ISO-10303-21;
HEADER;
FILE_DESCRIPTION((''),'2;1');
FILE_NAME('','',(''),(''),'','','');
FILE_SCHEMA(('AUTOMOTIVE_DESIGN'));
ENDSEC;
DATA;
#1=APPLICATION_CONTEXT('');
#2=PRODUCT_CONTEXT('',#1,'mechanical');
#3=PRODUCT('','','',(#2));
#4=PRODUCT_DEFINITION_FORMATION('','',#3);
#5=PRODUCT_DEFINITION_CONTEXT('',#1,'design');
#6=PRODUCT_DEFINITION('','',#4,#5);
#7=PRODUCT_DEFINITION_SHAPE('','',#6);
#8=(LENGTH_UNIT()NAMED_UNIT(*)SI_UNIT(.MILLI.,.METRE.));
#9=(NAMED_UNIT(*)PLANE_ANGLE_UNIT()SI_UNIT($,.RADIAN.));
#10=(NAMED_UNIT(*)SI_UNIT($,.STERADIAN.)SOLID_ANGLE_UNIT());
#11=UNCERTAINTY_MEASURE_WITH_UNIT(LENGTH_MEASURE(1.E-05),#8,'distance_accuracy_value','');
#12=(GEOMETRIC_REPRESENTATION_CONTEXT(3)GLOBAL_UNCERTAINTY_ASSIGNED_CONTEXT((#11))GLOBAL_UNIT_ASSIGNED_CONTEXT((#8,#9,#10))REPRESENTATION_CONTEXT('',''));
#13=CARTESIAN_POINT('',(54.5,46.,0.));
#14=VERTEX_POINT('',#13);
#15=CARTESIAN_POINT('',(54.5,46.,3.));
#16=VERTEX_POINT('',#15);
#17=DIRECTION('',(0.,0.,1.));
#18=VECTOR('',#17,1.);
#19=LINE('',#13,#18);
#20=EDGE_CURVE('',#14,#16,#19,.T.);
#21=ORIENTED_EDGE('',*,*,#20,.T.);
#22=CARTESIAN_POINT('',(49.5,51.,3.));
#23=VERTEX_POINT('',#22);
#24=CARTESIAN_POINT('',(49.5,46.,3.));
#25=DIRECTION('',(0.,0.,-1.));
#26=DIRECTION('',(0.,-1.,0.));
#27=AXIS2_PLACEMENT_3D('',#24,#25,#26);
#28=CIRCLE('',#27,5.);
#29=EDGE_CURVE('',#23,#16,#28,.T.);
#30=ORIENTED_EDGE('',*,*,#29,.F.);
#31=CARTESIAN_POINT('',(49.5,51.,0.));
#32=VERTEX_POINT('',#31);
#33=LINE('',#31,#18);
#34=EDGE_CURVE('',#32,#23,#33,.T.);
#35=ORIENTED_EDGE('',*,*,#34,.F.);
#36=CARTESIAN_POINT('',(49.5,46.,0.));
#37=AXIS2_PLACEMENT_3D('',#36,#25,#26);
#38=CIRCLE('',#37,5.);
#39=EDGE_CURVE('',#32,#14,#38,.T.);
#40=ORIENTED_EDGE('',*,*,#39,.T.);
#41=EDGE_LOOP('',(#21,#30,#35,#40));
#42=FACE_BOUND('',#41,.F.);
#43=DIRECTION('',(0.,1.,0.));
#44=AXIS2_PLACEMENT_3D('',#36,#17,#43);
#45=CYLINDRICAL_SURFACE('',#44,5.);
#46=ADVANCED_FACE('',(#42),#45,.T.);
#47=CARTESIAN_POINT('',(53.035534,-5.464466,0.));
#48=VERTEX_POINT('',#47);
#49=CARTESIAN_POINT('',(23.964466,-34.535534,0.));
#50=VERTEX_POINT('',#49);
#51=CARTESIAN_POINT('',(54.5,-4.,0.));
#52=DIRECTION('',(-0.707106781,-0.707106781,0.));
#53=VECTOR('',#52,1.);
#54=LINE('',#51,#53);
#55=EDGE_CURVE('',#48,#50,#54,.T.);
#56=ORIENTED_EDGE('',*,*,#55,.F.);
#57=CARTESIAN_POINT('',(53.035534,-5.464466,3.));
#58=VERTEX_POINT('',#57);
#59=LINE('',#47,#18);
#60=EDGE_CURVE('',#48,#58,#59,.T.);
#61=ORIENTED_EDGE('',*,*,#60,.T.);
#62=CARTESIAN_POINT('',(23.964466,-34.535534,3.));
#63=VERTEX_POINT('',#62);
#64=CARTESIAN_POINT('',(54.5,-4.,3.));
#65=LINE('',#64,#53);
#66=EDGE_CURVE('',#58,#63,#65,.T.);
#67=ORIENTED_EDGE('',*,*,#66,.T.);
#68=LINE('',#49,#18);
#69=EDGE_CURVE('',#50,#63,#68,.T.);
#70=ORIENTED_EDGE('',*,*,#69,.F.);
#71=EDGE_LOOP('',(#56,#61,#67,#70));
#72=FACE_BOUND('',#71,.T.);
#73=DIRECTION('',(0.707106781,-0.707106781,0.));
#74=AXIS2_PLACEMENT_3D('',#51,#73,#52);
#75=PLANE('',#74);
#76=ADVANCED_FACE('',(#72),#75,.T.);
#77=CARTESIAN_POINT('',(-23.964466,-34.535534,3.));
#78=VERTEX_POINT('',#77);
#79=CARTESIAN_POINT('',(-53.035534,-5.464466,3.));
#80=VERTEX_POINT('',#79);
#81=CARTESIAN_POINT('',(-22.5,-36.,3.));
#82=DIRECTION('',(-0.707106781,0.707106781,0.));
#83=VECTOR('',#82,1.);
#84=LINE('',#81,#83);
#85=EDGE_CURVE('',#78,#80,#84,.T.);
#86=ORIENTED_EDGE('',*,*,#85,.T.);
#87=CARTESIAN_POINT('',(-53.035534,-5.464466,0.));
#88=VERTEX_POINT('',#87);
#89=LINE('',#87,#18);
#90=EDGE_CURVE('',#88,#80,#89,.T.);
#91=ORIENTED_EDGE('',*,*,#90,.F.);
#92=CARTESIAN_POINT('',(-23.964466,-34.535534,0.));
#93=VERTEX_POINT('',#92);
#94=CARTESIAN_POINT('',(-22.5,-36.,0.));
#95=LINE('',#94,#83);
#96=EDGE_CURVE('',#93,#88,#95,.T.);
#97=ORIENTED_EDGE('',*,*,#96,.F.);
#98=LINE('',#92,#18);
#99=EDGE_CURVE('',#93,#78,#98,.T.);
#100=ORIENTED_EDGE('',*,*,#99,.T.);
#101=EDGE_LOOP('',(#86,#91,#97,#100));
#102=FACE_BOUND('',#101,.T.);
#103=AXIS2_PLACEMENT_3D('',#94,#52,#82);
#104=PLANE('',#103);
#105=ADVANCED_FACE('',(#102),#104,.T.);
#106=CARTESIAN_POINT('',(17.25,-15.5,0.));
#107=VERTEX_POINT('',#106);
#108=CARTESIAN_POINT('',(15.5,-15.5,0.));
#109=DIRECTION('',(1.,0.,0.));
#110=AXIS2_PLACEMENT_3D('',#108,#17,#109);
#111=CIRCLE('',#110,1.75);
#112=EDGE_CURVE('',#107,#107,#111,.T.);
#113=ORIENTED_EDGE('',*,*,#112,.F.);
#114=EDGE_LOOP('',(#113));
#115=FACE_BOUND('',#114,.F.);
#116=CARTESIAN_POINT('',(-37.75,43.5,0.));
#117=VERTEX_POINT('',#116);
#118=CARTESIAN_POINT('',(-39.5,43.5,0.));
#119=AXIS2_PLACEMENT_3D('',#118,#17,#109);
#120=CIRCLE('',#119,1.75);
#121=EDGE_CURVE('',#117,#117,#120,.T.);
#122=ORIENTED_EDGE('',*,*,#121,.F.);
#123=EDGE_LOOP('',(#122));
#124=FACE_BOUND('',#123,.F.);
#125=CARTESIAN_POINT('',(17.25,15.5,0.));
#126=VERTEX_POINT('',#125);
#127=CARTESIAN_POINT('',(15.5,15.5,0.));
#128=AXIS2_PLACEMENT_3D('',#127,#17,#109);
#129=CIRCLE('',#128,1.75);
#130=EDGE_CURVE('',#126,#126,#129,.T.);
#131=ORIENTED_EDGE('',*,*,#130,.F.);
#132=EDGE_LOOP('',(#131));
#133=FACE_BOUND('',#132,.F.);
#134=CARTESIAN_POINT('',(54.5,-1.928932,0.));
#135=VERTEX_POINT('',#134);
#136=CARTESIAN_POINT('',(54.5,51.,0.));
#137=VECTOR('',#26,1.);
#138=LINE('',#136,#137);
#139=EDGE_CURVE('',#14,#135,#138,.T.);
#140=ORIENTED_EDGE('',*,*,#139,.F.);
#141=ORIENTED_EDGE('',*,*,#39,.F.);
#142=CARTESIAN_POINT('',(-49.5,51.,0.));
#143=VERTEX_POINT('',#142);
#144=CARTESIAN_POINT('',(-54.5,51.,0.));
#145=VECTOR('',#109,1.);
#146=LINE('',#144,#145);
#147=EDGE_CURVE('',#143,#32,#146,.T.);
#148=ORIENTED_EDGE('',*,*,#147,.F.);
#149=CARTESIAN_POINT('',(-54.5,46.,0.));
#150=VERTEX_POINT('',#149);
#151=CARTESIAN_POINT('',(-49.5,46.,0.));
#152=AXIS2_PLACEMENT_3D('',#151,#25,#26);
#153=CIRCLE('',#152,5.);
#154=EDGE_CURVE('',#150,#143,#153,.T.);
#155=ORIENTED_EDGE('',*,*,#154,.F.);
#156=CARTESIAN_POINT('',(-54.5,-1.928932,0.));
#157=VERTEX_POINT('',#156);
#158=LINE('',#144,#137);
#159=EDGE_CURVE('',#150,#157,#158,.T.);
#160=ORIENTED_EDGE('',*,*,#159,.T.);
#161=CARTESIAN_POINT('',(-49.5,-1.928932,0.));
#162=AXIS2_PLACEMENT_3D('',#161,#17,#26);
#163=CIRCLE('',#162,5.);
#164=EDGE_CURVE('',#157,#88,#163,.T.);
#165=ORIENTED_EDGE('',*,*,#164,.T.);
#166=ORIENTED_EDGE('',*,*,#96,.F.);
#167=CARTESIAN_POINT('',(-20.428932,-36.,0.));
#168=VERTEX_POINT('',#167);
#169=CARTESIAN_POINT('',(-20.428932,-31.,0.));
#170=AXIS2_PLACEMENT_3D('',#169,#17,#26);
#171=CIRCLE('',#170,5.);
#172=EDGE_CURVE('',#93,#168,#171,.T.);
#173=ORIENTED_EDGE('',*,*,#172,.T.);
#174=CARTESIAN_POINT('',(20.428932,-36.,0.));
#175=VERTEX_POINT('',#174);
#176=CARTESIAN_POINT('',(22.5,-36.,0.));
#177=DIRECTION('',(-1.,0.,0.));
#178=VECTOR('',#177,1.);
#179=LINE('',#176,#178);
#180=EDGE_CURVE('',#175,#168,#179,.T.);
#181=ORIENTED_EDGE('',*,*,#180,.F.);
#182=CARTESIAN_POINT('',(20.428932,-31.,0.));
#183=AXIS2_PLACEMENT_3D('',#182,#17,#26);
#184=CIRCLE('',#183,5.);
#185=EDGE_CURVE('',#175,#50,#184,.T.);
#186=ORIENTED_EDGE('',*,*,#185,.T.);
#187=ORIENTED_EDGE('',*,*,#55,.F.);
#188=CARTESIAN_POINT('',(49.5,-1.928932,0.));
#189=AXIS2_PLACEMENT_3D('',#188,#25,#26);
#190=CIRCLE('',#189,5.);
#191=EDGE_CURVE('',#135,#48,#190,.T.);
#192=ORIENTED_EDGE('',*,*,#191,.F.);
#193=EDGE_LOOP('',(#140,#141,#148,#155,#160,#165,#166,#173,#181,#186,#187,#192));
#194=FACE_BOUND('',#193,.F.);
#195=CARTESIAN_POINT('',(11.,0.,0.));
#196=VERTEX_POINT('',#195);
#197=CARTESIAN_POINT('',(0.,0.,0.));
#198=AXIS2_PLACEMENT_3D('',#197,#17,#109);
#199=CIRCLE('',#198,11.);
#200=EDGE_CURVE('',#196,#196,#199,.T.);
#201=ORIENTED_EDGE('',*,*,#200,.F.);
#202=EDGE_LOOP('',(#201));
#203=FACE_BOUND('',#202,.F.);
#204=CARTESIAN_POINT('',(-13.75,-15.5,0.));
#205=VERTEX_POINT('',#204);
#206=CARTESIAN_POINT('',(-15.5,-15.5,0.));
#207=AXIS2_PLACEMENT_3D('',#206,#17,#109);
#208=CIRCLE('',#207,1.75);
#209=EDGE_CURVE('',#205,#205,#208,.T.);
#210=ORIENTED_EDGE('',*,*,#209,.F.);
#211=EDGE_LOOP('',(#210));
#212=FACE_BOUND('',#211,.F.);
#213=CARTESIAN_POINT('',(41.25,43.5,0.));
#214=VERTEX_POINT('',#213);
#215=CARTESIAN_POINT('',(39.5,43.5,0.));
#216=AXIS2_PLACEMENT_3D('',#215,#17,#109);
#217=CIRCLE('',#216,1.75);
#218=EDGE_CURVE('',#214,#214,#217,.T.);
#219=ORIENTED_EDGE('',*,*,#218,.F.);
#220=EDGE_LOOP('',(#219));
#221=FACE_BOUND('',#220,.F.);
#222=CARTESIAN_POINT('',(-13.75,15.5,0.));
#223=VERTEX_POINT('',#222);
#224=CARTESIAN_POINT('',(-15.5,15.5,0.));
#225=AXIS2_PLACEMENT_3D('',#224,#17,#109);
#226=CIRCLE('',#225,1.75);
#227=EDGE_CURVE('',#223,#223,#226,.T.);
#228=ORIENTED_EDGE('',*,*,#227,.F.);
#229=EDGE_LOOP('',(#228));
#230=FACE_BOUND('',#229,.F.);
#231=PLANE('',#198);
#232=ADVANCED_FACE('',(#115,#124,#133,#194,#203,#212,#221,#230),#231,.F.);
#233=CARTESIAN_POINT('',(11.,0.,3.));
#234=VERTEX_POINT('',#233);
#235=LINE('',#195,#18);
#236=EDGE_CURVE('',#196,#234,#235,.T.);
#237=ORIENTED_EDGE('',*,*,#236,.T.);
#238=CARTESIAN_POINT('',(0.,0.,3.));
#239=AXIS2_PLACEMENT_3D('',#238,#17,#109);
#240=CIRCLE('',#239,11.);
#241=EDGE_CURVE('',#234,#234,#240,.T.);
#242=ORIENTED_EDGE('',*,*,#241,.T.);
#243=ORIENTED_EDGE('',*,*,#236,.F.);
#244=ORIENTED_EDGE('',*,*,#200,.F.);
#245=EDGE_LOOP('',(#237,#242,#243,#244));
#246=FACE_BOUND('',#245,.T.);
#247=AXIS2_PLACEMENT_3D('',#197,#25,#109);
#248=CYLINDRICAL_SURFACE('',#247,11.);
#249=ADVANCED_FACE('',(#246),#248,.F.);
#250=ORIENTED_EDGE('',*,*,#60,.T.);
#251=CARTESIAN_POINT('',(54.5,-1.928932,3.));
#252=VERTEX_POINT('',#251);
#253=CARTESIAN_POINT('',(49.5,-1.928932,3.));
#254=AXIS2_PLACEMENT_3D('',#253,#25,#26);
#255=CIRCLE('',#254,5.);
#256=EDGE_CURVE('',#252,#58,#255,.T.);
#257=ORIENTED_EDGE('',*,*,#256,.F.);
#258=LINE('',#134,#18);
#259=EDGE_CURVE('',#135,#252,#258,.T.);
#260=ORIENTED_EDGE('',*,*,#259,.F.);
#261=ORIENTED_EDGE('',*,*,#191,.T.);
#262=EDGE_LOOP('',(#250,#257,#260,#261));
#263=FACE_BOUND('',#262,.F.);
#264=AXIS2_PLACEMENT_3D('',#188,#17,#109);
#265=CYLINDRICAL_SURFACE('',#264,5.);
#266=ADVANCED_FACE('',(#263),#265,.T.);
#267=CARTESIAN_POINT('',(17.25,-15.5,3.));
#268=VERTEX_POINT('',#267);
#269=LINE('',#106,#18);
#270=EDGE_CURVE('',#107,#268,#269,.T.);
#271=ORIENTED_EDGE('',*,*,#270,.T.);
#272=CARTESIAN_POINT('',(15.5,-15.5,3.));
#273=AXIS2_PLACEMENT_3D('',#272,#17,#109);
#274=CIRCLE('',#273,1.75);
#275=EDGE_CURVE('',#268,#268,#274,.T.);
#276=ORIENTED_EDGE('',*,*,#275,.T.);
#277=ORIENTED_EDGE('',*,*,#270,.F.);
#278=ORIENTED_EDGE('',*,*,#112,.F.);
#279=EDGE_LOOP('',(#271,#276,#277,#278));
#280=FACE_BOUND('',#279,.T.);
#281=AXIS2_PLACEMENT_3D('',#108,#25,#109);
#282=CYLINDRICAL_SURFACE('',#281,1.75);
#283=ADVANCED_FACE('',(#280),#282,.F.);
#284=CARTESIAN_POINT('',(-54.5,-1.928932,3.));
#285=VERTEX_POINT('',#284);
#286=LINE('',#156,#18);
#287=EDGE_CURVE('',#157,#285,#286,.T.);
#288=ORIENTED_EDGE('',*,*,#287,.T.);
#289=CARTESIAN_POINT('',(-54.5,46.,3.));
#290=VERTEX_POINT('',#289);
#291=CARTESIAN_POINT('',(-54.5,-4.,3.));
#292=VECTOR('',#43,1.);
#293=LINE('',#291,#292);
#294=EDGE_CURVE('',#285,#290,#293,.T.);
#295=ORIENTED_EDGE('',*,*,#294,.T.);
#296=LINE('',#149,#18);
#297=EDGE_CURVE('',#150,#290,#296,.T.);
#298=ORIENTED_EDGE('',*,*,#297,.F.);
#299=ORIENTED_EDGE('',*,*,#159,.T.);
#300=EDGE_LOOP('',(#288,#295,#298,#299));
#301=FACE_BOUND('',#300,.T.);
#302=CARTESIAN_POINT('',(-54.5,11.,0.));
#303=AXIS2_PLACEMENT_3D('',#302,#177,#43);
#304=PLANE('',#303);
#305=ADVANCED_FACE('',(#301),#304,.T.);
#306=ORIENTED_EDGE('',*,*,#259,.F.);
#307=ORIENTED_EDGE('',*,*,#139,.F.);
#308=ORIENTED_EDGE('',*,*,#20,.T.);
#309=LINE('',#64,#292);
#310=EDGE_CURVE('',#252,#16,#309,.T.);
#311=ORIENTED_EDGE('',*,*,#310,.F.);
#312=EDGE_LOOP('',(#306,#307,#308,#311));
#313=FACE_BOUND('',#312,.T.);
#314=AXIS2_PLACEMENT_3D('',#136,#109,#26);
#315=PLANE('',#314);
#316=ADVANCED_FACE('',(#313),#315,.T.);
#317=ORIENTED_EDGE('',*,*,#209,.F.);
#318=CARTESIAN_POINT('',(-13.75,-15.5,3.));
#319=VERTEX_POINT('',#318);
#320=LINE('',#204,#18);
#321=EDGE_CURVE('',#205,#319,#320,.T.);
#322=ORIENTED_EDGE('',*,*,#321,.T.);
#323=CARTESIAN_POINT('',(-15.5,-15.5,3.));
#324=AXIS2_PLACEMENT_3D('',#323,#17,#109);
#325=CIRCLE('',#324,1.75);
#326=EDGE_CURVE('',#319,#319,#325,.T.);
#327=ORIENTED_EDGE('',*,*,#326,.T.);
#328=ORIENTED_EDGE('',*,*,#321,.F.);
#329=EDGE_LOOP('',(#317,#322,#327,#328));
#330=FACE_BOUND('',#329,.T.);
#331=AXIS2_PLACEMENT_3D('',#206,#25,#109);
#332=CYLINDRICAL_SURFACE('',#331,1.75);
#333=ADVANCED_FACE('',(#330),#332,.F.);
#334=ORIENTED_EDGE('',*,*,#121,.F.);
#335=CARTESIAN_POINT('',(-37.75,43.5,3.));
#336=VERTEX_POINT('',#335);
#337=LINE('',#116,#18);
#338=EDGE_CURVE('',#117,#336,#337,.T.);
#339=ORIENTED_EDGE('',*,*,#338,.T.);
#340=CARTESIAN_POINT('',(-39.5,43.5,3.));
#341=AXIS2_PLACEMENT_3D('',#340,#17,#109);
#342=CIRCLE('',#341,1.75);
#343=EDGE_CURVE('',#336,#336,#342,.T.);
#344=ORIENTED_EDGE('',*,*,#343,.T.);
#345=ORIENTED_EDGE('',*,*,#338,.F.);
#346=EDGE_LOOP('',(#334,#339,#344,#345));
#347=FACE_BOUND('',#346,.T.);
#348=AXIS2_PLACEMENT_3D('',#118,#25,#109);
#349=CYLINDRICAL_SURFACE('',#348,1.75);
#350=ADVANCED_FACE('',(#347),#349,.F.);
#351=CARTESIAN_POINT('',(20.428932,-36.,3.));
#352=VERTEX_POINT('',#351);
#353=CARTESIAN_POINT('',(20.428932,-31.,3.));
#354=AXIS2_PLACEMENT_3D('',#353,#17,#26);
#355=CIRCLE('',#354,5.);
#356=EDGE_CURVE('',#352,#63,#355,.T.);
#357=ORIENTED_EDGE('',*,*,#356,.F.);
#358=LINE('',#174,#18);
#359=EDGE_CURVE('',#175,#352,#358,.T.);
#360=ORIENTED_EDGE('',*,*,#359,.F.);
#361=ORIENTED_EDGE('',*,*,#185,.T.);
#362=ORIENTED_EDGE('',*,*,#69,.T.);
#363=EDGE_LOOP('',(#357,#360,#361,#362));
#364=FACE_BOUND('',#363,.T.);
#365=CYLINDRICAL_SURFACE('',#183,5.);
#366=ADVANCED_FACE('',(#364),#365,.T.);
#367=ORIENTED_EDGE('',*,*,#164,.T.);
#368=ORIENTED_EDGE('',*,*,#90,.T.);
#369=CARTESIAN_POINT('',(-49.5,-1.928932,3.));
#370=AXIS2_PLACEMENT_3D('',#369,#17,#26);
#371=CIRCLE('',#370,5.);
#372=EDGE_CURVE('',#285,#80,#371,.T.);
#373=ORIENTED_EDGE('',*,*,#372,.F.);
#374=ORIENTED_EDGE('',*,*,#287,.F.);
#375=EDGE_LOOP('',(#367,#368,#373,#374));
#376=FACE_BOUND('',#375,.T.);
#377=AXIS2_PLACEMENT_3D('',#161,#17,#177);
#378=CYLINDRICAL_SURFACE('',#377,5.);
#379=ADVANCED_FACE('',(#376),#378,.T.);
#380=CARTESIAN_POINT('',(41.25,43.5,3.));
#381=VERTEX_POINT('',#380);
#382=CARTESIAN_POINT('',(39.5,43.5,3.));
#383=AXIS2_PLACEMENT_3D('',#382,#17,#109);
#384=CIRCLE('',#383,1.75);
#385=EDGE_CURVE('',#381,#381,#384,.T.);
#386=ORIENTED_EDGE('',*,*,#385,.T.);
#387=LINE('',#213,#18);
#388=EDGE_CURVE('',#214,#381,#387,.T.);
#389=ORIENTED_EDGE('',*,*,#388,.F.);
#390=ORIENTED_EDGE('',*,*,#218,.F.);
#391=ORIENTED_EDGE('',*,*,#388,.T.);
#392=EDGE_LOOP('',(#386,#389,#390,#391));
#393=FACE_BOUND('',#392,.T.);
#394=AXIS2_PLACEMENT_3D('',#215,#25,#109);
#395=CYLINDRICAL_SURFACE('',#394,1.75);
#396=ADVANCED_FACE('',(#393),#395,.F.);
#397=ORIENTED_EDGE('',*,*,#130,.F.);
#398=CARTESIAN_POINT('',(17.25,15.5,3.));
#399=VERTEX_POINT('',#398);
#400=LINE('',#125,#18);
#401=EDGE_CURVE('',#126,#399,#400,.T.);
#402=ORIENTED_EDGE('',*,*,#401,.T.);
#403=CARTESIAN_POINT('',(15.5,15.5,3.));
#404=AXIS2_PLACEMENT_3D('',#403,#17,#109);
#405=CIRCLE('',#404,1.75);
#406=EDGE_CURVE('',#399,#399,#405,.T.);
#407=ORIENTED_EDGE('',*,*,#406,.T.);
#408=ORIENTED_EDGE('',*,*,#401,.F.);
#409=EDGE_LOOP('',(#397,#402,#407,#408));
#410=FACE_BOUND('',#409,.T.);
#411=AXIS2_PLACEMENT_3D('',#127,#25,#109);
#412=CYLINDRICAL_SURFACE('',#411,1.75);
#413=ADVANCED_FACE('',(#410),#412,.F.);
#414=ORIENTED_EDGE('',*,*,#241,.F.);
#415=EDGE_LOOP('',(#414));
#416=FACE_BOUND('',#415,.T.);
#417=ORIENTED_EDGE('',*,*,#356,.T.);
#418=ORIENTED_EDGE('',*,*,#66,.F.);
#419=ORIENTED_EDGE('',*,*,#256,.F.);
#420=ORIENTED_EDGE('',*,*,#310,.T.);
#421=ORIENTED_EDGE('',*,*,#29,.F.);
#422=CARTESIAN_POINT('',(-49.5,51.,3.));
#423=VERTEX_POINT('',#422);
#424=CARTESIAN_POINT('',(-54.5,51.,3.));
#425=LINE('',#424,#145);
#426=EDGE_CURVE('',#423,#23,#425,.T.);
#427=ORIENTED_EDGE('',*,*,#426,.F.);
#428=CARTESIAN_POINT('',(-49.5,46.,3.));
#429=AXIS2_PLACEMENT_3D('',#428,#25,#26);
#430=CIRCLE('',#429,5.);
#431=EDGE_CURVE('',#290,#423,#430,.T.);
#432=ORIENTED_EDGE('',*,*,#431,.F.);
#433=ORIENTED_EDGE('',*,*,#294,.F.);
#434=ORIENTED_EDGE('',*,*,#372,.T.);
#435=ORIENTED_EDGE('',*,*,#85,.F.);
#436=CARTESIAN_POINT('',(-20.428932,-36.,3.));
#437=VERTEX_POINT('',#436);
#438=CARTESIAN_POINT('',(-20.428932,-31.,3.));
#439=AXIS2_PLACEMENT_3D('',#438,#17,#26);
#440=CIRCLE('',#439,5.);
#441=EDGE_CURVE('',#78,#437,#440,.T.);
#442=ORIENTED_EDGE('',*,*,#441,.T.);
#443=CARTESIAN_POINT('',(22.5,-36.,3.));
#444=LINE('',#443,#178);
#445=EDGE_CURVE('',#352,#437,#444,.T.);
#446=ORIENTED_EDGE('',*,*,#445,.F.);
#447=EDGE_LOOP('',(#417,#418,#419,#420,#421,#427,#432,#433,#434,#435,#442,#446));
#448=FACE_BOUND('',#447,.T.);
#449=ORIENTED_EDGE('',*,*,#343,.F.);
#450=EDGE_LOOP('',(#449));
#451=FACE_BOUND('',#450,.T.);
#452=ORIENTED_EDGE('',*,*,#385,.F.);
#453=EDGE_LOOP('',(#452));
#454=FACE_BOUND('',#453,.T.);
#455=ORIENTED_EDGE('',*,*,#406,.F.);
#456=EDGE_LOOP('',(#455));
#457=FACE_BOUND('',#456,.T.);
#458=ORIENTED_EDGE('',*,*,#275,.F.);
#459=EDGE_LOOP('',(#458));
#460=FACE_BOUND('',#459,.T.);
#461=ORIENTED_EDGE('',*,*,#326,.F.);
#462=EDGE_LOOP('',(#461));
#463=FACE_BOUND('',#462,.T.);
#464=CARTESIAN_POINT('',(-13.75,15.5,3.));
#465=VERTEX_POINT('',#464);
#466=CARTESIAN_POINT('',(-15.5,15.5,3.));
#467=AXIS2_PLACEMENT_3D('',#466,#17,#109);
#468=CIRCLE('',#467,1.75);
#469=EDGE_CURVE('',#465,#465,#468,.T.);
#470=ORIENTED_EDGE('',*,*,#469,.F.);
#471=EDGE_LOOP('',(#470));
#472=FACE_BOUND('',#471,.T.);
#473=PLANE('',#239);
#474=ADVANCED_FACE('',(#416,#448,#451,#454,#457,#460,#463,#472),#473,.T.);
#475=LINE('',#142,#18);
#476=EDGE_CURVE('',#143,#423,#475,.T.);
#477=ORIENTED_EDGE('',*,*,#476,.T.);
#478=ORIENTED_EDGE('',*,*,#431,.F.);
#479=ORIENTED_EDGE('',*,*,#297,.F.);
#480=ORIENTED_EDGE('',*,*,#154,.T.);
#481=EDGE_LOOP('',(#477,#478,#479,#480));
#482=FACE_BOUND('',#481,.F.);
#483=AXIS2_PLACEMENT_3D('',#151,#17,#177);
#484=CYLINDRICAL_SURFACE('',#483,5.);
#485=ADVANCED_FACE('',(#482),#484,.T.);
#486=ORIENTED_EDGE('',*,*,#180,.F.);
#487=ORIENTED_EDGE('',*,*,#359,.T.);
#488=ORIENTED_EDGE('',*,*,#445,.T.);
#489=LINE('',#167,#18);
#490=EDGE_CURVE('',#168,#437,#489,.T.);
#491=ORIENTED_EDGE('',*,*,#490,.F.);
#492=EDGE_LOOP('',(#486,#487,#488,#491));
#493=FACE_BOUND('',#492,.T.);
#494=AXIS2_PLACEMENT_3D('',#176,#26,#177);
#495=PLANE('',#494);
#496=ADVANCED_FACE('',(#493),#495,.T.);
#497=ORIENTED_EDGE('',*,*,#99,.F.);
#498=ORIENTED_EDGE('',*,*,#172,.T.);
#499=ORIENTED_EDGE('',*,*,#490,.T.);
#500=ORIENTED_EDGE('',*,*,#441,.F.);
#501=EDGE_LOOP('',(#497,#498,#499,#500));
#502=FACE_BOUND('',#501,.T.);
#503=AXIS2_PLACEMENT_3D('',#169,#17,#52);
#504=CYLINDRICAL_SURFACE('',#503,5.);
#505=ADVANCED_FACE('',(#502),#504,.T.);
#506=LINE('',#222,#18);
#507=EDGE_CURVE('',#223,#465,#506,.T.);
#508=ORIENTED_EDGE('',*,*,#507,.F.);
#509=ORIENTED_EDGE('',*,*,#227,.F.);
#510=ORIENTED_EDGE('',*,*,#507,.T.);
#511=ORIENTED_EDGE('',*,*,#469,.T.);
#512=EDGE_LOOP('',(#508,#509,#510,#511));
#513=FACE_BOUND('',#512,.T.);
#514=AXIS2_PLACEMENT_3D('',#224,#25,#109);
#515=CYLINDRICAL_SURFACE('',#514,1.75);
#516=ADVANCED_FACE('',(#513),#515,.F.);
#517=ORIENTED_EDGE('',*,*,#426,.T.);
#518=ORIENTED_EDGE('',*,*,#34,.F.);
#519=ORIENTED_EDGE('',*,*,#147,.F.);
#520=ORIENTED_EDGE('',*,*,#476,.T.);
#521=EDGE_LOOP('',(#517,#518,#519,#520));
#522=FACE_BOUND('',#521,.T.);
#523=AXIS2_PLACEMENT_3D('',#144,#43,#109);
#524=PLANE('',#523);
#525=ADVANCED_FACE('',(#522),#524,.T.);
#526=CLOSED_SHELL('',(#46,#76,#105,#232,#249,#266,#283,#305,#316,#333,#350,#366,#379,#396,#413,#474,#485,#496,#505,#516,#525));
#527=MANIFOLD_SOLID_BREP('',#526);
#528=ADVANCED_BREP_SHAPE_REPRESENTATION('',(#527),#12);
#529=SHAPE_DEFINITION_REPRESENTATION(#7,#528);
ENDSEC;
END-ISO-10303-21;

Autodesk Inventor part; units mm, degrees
ref_plane "YZ Plane" through (0, 0, 0) normal (1, 0, 0) x (0, 1, 0)
ref_plane "XZ Plane" through (0, 0, 0) normal (0, 1, 0) x (-1, 0, 0)
ref_plane "XY Plane" through (0, 0, 0) normal (0, 0, 1) x (1, 0, 0)
sketch "Sketch1" plane through (0, 0, 0) normal (0, 0, 1) x (1, 0, 0)
  circle A0 centre (15.5, -15.5) radius 1.2295 projected
  circle A1 centre (-15.5, 15.5) radius 1.2295 projected
  circle A2 centre (-15.5, -15.5) radius 1.2295 projected
  circle A3 centre (15.5, 15.5) radius 1.2295 projected
  circle A4 centre (0, 0) radius 11 projected
  line L0 (-17.5, -21) -> (-21, -17.5) projected
  line L1 (-17.5, -21) -> (17.5, -21) projected
  line L2 (21, -17.5) -> (17.5, -21) projected
  line L3 (21, -17.5) -> (21, 17.5) projected
  line L4 (17.5, 21) -> (21, 17.5) projected
  line L5 (17.5, 21) -> (-17.5, 21) projected
  line L6 (-21, 17.5) -> (-17.5, 21) projected
  line L7 (-21, 17.5) -> (-21, -17.5) projected
  line L8 (17.5, -21) -> (22.5, -21)
  line L9 (-54.5, 51) -> (54.5, 51)
  line L10 (54.5, 51) -> (54.5, 11)
  line L11 (54.5, 11) -> (22.5, -21)
  line L12 (-17.5, -21) -> (-22.5, -21)
  line L13 (-22.5, -21) -> (-54.5, 11)
  line L14 (-54.5, 11) -> (-54.5, 51)
  circle A5 centre (-39.5, 43.5) radius 1.75
  circle A6 centre (39.5, 43.5) radius 1.75
  circle A7 centre (-15.5, 15.5) radius 1.75
  circle A8 centre (15.5, 15.5) radius 1.75
  circle A9 centre (15.5, -15.5) radius 1.75
  circle A10 centre (-15.5, -15.5) radius 1.75
  line L15 (22.5, -36) -> (-22.5, -36)
  line L16 (54.5, 11) -> (54.5, -4)
  line L17 (54.5, -4) -> (22.5, -36)
  line L18 (-22.5, -36) -> (-54.5, -4)
  line L19 (-54.5, -4) -> (-54.5, 11)
  dimension "d0" = 30
  dimension "d1" = 40
  dimension "d2" = 5
  dimension "d3" = 7.5
  dimension "d4" = 15
  dimension "d5" = 15
  dimension "d6" = 3.5
  dimension "d7" = 3.5
  dimension "d11" = 15
extrude "Extrusion1" add sketch "Sketch1" along normal blind 3 contours L12 L13 L14 L9 L10 L11 L8 L2 L3 L4 L5 L6 L7 L0 | L0 L7 L6 L5 L4 L3 L2 L1 | L1 L8 L11 L16 L17 L15 L18 L19 L13 L12
fillet "Fillet1" radius 5 6 edges at (54.5, 51, 1.5) (-54.5, 51, 1.5) (54.5, -4, 1.5) (22.5, -36, 1.5) (-22.5, -36, 1.5) (-54.5, -4, 1.5)
equation "\"d5\" = d4"
properties part number "Z Axis Center Motor Mount" material "Aluminum 6061"
